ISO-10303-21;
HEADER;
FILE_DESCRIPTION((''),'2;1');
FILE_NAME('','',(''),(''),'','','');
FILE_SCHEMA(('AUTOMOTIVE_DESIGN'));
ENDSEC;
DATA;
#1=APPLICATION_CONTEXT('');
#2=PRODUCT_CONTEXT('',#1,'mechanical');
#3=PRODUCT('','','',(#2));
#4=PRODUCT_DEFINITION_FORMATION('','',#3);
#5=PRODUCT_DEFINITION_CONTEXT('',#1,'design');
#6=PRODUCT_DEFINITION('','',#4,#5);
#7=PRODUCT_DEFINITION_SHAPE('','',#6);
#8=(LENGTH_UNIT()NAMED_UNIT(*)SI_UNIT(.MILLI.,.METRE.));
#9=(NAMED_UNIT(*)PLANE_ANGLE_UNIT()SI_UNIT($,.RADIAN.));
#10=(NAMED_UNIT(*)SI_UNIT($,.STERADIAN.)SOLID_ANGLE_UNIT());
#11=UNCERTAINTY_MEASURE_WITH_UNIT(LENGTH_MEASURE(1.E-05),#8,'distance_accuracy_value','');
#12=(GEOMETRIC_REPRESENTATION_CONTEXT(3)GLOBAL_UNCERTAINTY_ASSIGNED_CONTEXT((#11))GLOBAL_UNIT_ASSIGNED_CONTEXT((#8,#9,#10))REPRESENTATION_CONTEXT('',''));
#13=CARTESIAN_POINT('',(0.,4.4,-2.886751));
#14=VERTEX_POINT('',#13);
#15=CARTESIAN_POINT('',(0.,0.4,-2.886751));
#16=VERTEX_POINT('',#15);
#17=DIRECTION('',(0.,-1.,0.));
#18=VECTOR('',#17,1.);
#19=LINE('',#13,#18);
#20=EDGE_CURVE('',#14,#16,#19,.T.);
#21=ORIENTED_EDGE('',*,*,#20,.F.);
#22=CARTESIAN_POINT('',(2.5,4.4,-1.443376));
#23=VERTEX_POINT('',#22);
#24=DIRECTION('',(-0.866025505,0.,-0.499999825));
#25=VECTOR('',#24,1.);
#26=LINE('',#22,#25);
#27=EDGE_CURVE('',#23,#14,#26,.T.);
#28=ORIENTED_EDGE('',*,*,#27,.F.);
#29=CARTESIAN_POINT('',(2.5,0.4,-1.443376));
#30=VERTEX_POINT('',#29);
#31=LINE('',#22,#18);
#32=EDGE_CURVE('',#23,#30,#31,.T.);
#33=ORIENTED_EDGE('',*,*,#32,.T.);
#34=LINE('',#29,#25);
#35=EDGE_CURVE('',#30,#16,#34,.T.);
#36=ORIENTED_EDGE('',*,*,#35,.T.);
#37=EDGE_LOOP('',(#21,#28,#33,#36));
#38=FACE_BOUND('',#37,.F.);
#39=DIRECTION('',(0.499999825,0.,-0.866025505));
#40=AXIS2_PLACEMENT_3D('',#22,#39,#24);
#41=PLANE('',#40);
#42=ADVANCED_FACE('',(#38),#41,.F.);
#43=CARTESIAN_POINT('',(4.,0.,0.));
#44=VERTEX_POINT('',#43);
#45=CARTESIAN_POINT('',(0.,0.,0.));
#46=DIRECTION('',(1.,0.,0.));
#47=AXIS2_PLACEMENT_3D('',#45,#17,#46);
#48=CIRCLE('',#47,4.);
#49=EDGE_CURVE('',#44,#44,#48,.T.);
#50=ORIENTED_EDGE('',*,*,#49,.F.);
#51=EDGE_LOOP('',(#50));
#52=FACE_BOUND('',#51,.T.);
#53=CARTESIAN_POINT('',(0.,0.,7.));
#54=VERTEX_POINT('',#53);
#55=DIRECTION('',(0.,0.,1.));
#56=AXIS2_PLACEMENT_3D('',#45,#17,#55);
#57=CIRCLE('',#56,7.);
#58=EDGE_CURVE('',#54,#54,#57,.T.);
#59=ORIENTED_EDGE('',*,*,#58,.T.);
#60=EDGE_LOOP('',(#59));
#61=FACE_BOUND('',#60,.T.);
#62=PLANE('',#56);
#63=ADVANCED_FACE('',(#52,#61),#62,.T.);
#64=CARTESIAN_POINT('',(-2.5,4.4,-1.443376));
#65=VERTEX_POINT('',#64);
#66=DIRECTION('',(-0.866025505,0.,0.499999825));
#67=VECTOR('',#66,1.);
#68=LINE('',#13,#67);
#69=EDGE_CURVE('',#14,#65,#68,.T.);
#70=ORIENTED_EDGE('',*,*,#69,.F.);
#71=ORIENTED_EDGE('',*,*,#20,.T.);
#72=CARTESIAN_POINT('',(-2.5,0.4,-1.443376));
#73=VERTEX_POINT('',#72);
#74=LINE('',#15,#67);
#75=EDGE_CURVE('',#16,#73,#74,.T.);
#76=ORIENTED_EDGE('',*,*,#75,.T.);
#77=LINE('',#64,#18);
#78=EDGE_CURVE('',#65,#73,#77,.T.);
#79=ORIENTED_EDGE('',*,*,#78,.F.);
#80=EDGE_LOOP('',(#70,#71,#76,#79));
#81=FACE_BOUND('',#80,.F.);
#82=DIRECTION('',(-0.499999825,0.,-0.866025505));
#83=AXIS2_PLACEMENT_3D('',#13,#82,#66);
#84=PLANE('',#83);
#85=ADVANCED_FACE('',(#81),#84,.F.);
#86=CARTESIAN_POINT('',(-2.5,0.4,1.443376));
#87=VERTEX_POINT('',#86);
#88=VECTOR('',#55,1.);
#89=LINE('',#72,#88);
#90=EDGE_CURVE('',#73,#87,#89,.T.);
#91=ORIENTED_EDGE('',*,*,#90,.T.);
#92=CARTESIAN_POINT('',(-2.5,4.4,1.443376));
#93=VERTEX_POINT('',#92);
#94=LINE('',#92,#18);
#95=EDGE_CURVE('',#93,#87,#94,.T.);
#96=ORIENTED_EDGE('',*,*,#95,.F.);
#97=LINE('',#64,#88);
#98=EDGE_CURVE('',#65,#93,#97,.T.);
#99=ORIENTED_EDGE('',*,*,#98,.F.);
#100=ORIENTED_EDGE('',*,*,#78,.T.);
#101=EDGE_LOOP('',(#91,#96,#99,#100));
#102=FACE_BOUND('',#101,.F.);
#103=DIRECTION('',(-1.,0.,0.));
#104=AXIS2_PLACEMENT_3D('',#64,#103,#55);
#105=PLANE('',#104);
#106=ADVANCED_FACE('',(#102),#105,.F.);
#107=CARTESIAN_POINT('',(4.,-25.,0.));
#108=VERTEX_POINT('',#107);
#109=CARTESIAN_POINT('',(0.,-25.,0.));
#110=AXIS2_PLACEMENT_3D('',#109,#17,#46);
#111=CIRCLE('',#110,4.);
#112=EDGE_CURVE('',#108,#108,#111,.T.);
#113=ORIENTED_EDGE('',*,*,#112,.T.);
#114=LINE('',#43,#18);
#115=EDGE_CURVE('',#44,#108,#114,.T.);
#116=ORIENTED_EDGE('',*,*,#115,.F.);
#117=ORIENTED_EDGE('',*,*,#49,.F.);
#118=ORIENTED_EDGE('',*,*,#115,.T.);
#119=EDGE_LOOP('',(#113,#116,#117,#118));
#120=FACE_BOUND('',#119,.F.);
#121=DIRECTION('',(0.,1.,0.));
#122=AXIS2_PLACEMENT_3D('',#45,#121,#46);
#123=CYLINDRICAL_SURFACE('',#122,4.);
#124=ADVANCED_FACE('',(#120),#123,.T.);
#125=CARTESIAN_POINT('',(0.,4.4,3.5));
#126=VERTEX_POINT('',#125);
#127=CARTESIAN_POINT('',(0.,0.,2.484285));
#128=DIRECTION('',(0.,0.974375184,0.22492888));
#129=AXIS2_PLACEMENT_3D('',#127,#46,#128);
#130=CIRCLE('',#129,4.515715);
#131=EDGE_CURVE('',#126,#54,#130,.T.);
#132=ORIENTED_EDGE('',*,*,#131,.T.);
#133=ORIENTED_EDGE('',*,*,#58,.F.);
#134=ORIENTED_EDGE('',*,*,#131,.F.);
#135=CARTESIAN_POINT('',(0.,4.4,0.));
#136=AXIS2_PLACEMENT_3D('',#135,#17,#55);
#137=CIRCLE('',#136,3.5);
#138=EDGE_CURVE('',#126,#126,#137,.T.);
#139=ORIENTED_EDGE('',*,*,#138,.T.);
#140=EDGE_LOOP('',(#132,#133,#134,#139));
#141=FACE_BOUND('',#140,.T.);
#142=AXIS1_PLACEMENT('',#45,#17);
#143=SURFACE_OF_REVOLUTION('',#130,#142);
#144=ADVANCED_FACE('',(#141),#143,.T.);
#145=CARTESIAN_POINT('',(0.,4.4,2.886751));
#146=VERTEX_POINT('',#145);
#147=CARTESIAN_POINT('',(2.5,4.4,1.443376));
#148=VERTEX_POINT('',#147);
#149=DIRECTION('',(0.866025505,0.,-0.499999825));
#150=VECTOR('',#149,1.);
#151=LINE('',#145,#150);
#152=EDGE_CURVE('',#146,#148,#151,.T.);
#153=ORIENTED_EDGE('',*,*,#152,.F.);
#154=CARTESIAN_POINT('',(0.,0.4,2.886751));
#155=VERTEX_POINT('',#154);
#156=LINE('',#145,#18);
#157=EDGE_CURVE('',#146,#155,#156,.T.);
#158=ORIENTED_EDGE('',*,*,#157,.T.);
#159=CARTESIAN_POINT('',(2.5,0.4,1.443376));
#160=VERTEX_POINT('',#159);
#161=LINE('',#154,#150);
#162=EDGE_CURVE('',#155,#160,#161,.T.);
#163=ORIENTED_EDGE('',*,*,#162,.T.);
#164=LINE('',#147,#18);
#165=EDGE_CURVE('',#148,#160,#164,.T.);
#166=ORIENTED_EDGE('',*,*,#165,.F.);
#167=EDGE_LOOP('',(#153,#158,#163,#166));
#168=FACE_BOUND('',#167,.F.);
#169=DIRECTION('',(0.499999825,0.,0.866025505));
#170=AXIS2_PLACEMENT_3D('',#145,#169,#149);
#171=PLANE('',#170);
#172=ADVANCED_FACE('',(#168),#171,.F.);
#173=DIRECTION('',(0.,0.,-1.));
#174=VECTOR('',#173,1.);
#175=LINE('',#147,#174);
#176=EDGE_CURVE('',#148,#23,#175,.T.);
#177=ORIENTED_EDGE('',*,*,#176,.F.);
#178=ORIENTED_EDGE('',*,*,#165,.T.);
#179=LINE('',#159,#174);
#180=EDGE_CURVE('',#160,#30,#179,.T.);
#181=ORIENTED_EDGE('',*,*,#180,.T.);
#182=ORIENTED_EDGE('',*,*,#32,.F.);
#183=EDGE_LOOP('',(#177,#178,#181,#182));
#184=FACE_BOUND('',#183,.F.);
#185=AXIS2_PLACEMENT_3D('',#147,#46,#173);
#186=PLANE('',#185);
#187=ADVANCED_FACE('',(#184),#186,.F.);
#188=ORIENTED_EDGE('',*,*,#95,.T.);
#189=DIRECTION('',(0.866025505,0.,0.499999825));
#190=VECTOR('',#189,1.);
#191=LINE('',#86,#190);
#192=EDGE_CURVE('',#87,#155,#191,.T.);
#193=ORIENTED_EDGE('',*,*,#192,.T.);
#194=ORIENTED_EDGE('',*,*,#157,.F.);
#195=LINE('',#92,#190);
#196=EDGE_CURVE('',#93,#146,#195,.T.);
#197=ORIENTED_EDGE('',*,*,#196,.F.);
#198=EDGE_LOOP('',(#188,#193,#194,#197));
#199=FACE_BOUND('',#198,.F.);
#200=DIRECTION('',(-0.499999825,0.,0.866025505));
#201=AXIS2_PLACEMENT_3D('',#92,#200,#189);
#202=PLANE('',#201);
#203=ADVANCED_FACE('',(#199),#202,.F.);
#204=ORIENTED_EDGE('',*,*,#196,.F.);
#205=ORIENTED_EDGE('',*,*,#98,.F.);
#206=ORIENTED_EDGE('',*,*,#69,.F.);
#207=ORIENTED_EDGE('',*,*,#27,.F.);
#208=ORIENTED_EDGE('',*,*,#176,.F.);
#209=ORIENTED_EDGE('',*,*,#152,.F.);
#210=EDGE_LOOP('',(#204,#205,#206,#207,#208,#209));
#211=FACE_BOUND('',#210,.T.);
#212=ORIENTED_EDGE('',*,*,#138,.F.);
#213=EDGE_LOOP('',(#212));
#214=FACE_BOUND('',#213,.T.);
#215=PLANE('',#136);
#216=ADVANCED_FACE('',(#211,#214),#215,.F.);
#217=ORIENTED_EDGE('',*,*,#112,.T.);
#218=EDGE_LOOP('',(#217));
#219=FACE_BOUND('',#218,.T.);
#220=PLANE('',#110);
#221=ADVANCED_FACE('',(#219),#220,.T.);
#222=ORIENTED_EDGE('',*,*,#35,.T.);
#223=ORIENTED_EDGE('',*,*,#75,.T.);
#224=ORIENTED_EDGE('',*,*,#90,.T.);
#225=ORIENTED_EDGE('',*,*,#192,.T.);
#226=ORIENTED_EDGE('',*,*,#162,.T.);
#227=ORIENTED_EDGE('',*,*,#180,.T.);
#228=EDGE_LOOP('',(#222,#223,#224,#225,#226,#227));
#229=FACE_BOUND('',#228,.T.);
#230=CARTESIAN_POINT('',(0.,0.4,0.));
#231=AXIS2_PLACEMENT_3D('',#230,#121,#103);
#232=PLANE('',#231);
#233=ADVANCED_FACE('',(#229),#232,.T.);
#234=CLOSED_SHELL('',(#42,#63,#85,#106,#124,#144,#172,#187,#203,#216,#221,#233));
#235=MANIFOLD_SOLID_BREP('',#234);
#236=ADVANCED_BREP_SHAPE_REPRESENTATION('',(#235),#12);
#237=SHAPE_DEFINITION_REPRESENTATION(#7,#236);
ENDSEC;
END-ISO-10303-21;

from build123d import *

# Parameters (mm, degrees)
F0_R     = 4
F1_DEPTH = 25
F5_DEPTH = 4


with BuildPart() as f1:
    # F0 (on Front) → F1 (new body)
    with BuildSketch(Plane.XZ):
        Circle(F0_R)
    extrude(amount=F1_DEPTH)

    # F2 (on Right) → F3 (revolve)
    with BuildSketch(Plane.YZ):
        with BuildLine():
            Line((0, 7), (0, 0))
            Line((0, 0), (4.4, 0))
            Line((4.4, 0), (4.4, 2.5))
            Line((4.4, 2.5), (4.4, 3.5))
            ThreePointArc((4.4, 3.5), (2.811139, 6.018288), (0, 7))
        make_face()
    revolve(axis=Axis((0, 0, 0), (0, -1, 0)))

    # F4 (on face) → F5 (cut)
    with BuildSketch(Plane(origin=(0, 4.4, 0), x_dir=(-1, 0, 0), z_dir=(0, 1, 0))):
        Polygon((-2.5, 1.443376), (-2.5, -1.443376), (0, -2.886751), (2.5, -1.443376), (2.5, 1.443376), (0, 2.886751), align=None)
    extrude(amount=-F5_DEPTH, mode=Mode.SUBTRACT)


solid = f1.part
